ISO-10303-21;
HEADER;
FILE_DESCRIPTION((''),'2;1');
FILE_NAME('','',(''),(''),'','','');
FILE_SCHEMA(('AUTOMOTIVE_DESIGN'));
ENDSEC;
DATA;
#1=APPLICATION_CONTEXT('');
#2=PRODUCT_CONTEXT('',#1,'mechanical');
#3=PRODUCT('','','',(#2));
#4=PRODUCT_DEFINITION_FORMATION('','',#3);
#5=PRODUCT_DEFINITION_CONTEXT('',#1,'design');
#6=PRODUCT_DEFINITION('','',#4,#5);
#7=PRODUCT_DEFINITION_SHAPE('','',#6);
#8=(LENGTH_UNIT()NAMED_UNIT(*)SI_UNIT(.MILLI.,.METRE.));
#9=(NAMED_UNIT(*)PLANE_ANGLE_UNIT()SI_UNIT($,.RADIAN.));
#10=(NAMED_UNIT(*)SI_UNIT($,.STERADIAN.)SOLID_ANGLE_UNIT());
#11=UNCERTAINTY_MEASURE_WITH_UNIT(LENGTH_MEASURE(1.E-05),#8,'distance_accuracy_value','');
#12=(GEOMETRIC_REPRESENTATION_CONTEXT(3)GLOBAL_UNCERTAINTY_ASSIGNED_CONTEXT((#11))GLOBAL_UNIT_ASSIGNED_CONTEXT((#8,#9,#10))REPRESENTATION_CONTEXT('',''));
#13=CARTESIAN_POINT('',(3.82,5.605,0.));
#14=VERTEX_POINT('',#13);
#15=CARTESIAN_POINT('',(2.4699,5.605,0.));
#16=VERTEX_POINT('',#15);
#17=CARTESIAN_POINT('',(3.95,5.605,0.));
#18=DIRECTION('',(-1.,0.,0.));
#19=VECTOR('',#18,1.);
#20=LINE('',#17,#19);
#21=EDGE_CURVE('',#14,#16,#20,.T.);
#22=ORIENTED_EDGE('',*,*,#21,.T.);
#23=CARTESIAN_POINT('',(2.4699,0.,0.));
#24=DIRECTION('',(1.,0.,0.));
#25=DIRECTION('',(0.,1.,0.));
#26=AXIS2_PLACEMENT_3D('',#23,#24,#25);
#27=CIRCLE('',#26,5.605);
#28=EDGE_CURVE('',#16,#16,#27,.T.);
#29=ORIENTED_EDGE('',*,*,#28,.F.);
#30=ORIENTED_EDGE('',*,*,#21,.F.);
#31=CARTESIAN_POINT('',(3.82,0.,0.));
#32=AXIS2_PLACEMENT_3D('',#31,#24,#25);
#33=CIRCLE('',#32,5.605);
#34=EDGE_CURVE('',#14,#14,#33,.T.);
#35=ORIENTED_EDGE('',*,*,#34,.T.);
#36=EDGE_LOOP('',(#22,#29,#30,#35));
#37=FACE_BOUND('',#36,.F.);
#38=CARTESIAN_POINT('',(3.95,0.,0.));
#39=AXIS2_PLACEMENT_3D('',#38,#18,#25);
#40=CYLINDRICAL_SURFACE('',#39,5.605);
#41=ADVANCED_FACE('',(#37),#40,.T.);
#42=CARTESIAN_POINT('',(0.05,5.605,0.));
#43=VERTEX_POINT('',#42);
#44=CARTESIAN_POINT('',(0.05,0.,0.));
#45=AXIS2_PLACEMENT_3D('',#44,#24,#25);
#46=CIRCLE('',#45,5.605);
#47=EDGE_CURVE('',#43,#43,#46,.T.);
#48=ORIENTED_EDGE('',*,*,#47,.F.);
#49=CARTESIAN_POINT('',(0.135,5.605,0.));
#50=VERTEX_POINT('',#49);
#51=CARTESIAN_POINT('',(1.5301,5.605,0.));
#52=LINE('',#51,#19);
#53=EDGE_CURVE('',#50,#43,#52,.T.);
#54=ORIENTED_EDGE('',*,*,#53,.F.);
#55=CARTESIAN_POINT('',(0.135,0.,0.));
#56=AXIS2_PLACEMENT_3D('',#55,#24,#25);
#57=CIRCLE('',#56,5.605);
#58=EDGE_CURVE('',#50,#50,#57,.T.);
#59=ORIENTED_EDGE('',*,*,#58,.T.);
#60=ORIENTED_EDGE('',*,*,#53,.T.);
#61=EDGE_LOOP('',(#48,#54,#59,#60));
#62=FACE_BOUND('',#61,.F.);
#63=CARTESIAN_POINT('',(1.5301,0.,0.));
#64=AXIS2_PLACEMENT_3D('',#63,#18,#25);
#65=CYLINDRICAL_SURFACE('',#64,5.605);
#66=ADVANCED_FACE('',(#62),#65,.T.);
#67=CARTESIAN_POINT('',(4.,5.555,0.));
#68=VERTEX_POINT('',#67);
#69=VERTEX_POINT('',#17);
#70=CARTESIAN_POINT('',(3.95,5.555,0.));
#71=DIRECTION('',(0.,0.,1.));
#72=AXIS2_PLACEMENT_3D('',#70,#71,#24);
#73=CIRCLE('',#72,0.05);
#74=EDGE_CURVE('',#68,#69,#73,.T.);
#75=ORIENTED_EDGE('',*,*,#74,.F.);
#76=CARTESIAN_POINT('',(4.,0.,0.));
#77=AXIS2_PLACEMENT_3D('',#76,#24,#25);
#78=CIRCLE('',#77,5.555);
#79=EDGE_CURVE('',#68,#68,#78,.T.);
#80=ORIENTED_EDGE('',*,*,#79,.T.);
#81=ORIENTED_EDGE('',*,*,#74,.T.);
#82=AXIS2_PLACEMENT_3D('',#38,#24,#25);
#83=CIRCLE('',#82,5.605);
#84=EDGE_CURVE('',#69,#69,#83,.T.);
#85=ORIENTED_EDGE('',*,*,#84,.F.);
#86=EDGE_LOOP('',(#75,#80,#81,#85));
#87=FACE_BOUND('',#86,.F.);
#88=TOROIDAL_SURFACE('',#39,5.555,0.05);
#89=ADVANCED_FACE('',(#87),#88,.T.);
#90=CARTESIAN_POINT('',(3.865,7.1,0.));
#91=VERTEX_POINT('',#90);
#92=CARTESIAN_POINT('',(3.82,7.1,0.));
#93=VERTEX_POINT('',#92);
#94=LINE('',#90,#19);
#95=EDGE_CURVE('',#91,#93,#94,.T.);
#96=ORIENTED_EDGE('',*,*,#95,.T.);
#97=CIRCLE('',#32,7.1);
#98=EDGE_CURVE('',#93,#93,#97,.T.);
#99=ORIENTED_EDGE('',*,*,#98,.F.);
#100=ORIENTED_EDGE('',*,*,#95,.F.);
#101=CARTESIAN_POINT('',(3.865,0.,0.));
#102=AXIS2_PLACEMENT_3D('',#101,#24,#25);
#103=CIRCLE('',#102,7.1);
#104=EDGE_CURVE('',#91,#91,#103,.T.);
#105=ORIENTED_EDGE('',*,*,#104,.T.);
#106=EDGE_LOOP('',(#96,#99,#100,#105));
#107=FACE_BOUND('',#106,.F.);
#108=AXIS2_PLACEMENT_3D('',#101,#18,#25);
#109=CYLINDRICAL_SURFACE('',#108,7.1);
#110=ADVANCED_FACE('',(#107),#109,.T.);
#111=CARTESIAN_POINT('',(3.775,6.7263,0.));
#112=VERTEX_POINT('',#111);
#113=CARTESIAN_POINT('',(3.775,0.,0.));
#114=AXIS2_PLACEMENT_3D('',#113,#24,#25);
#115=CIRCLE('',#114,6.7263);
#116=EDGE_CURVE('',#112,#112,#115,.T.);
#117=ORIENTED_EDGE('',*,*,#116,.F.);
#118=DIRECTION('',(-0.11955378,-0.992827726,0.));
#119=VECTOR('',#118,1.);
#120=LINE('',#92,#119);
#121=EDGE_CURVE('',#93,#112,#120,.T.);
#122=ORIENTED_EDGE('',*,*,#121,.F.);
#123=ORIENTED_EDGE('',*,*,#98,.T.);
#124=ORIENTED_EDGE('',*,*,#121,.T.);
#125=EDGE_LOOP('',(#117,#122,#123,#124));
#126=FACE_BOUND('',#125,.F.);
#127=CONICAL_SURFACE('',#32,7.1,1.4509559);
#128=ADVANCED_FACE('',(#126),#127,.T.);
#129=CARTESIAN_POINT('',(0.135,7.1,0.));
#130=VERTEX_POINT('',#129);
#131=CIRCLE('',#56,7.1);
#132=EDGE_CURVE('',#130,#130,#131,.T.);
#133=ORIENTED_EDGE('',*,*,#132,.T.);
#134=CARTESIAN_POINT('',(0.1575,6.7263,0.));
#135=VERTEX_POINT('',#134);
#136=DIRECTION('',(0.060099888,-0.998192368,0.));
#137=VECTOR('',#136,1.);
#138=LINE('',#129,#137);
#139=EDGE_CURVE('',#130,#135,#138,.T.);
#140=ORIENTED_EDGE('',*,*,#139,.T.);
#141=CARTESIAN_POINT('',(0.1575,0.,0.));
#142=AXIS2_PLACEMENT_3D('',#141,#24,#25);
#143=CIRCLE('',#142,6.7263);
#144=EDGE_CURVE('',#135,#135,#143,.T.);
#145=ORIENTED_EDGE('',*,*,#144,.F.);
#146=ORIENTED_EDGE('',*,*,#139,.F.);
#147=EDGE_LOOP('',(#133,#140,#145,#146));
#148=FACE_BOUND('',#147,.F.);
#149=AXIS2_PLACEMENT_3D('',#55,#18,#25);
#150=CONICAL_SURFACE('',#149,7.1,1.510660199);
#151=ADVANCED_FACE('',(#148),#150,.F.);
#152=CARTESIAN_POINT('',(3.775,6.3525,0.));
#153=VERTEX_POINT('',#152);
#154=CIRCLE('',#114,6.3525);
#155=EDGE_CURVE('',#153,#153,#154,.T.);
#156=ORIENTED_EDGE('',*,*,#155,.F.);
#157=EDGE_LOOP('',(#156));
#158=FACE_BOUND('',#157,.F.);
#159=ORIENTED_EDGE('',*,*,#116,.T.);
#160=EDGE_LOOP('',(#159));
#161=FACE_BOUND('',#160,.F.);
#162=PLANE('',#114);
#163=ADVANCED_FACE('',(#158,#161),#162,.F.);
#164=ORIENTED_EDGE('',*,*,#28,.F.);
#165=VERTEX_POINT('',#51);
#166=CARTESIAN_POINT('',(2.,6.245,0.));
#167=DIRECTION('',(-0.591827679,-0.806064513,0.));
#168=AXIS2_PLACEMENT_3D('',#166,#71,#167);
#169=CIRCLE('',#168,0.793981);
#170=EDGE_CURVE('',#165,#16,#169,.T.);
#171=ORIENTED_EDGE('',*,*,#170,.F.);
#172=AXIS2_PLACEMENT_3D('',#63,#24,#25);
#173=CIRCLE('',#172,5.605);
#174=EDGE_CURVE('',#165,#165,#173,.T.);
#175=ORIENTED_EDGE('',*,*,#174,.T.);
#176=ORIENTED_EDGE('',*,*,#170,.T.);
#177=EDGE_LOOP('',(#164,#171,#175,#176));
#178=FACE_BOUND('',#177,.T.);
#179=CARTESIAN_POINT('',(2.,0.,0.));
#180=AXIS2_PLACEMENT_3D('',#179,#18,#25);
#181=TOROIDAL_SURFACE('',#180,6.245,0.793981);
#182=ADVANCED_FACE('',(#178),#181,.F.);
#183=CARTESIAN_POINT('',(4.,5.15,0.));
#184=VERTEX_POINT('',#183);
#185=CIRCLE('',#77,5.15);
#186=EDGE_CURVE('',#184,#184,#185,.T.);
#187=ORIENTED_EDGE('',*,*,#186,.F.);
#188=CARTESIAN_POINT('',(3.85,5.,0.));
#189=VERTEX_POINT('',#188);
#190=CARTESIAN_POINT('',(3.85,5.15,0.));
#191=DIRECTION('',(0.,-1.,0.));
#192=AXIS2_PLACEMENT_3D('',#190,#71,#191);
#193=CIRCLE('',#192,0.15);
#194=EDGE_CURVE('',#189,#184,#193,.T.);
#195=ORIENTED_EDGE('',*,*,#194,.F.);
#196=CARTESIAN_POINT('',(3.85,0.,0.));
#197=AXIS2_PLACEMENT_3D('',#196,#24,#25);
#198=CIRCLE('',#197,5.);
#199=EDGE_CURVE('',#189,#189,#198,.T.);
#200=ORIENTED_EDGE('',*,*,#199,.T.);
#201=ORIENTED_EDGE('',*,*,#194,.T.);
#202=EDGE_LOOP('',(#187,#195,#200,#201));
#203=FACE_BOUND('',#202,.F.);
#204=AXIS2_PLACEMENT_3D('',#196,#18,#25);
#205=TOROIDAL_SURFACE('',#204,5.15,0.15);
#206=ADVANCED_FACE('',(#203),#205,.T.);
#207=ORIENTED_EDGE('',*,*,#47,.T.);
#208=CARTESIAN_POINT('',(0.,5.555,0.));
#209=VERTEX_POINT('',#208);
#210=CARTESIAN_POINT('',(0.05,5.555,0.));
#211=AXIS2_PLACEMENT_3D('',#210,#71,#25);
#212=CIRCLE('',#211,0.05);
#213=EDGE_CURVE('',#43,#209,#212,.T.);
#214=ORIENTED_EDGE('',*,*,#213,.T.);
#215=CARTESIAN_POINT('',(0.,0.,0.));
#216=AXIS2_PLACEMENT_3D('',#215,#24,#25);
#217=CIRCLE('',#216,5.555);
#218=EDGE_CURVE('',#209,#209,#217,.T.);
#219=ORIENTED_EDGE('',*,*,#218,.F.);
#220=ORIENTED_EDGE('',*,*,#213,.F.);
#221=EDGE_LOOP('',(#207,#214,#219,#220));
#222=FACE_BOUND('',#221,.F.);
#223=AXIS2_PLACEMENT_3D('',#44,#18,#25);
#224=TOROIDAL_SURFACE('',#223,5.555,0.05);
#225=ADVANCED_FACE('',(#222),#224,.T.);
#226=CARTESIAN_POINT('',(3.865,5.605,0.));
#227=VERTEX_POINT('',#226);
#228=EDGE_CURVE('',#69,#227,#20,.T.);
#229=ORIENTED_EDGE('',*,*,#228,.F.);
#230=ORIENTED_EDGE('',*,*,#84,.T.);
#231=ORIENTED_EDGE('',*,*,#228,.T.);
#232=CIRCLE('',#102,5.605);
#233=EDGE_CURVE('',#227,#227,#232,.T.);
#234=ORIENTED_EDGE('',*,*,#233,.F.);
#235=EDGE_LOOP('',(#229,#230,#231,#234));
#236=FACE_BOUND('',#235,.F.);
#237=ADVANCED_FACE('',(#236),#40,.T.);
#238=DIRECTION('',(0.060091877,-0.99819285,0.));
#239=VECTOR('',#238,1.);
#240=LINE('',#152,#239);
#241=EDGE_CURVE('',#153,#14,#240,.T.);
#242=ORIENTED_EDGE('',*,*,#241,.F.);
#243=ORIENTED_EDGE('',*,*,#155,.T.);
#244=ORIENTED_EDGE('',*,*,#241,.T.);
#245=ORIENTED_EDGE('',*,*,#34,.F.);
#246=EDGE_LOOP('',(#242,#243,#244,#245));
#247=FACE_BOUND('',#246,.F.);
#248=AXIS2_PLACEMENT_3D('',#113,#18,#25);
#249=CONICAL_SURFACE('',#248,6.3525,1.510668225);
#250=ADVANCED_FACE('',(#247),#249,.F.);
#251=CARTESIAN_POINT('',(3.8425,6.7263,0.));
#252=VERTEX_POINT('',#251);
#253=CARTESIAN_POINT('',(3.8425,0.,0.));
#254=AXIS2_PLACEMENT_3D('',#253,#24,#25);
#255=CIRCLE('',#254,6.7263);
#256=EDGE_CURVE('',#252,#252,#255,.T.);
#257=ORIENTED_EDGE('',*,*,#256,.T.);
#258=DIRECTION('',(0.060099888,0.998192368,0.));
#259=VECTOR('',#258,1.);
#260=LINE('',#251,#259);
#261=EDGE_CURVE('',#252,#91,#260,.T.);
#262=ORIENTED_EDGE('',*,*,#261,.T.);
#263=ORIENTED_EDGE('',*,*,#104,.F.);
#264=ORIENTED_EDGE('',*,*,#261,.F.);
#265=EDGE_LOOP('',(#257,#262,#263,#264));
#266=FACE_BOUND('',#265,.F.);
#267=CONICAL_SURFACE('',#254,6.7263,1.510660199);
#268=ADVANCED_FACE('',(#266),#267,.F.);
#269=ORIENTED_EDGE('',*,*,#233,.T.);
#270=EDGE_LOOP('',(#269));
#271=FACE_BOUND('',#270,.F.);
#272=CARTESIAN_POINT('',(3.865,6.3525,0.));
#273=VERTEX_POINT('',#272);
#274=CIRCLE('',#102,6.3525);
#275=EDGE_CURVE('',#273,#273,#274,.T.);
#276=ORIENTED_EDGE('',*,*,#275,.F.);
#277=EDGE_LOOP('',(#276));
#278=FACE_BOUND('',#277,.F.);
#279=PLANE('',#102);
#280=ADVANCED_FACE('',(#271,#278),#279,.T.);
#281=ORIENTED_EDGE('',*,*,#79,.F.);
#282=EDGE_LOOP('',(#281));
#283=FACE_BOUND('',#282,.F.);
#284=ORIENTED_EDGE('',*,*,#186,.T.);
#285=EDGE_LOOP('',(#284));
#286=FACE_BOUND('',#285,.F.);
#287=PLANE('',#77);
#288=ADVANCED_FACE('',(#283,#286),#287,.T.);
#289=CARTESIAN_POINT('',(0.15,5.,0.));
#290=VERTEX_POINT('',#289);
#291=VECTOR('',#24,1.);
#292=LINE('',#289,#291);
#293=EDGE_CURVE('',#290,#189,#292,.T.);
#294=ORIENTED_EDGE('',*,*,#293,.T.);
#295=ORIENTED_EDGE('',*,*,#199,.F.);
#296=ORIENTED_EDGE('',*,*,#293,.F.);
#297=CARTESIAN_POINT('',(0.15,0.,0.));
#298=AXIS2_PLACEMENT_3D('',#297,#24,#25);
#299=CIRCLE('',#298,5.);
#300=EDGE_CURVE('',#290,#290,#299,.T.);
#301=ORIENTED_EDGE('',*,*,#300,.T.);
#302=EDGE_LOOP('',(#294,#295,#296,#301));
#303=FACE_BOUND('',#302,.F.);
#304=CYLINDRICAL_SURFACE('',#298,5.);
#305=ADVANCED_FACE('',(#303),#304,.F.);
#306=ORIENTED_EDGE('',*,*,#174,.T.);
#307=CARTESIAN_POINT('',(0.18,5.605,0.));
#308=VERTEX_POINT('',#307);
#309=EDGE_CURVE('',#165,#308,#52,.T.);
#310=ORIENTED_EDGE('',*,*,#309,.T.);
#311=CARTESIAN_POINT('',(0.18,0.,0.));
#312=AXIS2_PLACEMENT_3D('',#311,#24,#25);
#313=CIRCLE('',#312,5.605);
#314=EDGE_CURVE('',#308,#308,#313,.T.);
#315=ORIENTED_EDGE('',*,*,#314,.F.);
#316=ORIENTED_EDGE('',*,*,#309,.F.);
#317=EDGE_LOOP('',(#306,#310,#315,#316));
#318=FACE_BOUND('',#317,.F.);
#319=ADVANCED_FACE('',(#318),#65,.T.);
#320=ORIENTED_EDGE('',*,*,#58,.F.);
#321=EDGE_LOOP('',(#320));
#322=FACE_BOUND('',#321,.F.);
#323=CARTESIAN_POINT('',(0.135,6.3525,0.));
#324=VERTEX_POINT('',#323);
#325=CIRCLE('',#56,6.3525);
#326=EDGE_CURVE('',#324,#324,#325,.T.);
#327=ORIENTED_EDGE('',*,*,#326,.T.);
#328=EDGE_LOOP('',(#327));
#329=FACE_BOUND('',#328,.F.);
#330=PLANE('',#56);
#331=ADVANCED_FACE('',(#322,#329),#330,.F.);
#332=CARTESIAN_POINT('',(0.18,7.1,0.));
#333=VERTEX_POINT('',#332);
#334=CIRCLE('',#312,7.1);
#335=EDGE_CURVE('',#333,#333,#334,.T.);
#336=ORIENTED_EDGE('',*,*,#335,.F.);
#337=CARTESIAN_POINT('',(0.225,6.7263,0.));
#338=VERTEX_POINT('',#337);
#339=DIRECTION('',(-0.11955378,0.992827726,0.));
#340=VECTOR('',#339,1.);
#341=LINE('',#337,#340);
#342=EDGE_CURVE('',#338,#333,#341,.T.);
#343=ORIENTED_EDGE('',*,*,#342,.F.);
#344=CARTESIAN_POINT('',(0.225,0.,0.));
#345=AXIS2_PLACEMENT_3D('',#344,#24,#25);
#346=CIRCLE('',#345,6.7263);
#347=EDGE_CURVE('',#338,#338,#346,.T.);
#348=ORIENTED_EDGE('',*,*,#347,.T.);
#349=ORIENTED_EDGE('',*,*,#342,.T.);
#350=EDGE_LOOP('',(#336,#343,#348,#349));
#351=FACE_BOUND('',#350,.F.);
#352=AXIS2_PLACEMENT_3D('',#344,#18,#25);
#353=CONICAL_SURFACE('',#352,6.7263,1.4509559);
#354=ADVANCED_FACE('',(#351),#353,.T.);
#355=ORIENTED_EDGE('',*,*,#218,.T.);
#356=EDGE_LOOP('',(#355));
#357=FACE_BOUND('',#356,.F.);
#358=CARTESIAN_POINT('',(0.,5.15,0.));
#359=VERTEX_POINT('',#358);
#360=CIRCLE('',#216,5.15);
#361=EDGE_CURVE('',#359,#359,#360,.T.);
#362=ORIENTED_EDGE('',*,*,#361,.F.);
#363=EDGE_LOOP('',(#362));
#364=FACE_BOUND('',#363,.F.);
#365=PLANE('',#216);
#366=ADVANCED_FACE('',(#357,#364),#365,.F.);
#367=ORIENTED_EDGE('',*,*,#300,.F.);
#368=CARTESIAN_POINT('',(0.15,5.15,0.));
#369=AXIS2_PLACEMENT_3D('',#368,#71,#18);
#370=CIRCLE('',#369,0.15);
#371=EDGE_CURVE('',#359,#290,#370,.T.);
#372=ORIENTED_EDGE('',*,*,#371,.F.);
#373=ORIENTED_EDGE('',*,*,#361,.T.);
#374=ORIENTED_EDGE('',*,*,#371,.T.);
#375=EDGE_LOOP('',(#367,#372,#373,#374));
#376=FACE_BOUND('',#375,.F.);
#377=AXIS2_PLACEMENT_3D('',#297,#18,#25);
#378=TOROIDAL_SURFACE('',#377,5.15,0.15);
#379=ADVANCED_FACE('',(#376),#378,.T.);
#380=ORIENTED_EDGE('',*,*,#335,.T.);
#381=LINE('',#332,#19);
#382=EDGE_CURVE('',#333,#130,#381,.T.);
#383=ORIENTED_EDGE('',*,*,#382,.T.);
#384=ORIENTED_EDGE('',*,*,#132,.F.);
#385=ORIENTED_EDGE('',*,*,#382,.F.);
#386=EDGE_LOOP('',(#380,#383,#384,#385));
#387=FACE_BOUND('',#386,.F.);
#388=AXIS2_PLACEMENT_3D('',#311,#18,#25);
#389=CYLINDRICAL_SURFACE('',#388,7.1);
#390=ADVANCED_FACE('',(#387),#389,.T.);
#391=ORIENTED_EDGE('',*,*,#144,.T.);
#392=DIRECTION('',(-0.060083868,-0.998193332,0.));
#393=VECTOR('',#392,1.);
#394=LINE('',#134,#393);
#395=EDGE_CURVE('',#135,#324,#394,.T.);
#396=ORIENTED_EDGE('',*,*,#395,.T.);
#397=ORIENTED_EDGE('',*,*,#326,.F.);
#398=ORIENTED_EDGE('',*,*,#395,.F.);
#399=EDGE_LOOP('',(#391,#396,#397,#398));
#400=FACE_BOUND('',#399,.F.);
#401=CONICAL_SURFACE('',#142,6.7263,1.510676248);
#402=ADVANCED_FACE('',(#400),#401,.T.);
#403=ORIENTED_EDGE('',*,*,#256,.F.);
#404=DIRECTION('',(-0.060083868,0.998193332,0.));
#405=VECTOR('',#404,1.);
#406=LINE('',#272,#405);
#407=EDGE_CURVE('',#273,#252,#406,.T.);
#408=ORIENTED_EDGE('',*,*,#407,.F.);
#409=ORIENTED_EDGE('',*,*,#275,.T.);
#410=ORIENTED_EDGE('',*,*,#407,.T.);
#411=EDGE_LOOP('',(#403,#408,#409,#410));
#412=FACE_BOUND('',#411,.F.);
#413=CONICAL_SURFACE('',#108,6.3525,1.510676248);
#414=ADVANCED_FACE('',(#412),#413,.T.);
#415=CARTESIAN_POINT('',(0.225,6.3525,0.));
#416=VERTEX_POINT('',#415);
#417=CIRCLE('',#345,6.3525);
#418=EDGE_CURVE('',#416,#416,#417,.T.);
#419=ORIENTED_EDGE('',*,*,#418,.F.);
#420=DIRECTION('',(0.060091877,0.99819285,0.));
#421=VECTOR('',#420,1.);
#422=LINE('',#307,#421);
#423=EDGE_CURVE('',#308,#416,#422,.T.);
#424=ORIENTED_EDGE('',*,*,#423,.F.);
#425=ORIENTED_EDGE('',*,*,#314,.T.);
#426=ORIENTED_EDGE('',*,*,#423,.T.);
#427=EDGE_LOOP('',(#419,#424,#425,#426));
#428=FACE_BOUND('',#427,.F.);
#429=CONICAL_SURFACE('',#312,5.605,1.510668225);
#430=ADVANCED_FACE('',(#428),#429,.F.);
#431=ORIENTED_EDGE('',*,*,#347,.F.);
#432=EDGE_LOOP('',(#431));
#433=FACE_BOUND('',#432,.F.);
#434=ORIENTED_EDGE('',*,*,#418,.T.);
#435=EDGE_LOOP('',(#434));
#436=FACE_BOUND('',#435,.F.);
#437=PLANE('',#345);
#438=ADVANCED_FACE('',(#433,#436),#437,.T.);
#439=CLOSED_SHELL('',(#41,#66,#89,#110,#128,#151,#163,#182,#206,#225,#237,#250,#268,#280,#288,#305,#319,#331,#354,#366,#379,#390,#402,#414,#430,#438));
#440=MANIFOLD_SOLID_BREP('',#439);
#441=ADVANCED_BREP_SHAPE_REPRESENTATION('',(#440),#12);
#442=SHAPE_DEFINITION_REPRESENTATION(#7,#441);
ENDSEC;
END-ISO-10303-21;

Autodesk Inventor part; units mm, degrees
ref_plane "YZ Plane" through (0, 0, 0) normal (1, 0, 0) x (0, 1, 0)
ref_plane "XZ Plane" through (0, 0, 0) normal (0, 1, 0) x (-1, 0, 0)
ref_plane "XY Plane" through (0, 0, 0) normal (0, 0, 1) x (1, 0, 0)
sketch "Sketch_3" plane through (0, 0, 0) normal (0, 0, 1) x (1, 0, 0)
  line L0 (50, 0) -> (-50, 0)
  line L1 (0, 5.555) -> (0, 5.15)
  arc A0 (0, 5.15) -> (0.15, 5) centre (0.15, 5.15) ccw
  line L2 (0.15, 5) -> (3.85, 5)
  arc A1 (3.85, 5) -> (4, 5.15) centre (3.85, 5.15) ccw
  line L3 (4, 5.15) -> (4, 5.555)
  arc A2 (4, 5.555) -> (3.95, 5.605) centre (3.95, 5.555) ccw
  line L4 (3.95, 5.605) -> (2.4699, 5.605)
  arc A3 (1.5301, 5.605) -> (2.4699, 5.605) centre (2, 6.245) ccw
  line L5 (1.5301, 5.605) -> (0.05, 5.605)
  arc A4 (0.05, 5.605) -> (0, 5.555) centre (0.05, 5.555) ccw
revolve "Revolution1" add sketch "Sketch_3" angle 360 about axis through (50, 0, 0) along (1, 0, 0)
sketch "Sketch_9" plane through (0, 0, 0) normal (0, 0, 1) x (1, 0, 0)
  line L0 (50, 0) -> (-50, 0)
  line L1 (0.135, 7.1) -> (0.1575, 6.7263)
  line L2 (0.1575, 6.7263) -> (0.135, 6.3525)
  line L3 (0.135, 6.3525) -> (0.135, 5.605)
  line L4 (0.135, 5.605) -> (0.18, 5.605)
  line L5 (0.18, 5.605) -> (0.225, 6.3525)
  line L6 (0.225, 6.3525) -> (0.225, 6.7263)
  line L7 (0.225, 6.7263) -> (0.18, 7.1)
  line L8 (0.18, 7.1) -> (0.135, 7.1)
revolve "Revolution2" add sketch "Sketch_9" angle 360 about axis through (50, 0, 0) along (1, 0, 0)
sketch "Sketch_10" plane through (0, 0, 0) normal (0, 0, 1) x (1, 0, 0)
  line L0 (50, 0) -> (-50, 0)
  line L1 (3.775, 6.7263) -> (3.775, 6.3525)
  line L2 (3.775, 6.3525) -> (3.82, 5.605)
  line L3 (3.82, 5.605) -> (3.865, 5.605)
  line L4 (3.865, 5.605) -> (3.865, 6.3525)
  line L5 (3.865, 6.3525) -> (3.8425, 6.7263)
  line L6 (3.8425, 6.7263) -> (3.865, 7.1)
  line L7 (3.865, 7.1) -> (3.82, 7.1)
  line L8 (3.82, 7.1) -> (3.775, 6.7263)
revolve "Revolution3" add sketch "Sketch_10" angle 360 about axis through (50, 0, 0) along (1, 0, 0)
properties part number "W 61700 X-2RS1_PART1"
